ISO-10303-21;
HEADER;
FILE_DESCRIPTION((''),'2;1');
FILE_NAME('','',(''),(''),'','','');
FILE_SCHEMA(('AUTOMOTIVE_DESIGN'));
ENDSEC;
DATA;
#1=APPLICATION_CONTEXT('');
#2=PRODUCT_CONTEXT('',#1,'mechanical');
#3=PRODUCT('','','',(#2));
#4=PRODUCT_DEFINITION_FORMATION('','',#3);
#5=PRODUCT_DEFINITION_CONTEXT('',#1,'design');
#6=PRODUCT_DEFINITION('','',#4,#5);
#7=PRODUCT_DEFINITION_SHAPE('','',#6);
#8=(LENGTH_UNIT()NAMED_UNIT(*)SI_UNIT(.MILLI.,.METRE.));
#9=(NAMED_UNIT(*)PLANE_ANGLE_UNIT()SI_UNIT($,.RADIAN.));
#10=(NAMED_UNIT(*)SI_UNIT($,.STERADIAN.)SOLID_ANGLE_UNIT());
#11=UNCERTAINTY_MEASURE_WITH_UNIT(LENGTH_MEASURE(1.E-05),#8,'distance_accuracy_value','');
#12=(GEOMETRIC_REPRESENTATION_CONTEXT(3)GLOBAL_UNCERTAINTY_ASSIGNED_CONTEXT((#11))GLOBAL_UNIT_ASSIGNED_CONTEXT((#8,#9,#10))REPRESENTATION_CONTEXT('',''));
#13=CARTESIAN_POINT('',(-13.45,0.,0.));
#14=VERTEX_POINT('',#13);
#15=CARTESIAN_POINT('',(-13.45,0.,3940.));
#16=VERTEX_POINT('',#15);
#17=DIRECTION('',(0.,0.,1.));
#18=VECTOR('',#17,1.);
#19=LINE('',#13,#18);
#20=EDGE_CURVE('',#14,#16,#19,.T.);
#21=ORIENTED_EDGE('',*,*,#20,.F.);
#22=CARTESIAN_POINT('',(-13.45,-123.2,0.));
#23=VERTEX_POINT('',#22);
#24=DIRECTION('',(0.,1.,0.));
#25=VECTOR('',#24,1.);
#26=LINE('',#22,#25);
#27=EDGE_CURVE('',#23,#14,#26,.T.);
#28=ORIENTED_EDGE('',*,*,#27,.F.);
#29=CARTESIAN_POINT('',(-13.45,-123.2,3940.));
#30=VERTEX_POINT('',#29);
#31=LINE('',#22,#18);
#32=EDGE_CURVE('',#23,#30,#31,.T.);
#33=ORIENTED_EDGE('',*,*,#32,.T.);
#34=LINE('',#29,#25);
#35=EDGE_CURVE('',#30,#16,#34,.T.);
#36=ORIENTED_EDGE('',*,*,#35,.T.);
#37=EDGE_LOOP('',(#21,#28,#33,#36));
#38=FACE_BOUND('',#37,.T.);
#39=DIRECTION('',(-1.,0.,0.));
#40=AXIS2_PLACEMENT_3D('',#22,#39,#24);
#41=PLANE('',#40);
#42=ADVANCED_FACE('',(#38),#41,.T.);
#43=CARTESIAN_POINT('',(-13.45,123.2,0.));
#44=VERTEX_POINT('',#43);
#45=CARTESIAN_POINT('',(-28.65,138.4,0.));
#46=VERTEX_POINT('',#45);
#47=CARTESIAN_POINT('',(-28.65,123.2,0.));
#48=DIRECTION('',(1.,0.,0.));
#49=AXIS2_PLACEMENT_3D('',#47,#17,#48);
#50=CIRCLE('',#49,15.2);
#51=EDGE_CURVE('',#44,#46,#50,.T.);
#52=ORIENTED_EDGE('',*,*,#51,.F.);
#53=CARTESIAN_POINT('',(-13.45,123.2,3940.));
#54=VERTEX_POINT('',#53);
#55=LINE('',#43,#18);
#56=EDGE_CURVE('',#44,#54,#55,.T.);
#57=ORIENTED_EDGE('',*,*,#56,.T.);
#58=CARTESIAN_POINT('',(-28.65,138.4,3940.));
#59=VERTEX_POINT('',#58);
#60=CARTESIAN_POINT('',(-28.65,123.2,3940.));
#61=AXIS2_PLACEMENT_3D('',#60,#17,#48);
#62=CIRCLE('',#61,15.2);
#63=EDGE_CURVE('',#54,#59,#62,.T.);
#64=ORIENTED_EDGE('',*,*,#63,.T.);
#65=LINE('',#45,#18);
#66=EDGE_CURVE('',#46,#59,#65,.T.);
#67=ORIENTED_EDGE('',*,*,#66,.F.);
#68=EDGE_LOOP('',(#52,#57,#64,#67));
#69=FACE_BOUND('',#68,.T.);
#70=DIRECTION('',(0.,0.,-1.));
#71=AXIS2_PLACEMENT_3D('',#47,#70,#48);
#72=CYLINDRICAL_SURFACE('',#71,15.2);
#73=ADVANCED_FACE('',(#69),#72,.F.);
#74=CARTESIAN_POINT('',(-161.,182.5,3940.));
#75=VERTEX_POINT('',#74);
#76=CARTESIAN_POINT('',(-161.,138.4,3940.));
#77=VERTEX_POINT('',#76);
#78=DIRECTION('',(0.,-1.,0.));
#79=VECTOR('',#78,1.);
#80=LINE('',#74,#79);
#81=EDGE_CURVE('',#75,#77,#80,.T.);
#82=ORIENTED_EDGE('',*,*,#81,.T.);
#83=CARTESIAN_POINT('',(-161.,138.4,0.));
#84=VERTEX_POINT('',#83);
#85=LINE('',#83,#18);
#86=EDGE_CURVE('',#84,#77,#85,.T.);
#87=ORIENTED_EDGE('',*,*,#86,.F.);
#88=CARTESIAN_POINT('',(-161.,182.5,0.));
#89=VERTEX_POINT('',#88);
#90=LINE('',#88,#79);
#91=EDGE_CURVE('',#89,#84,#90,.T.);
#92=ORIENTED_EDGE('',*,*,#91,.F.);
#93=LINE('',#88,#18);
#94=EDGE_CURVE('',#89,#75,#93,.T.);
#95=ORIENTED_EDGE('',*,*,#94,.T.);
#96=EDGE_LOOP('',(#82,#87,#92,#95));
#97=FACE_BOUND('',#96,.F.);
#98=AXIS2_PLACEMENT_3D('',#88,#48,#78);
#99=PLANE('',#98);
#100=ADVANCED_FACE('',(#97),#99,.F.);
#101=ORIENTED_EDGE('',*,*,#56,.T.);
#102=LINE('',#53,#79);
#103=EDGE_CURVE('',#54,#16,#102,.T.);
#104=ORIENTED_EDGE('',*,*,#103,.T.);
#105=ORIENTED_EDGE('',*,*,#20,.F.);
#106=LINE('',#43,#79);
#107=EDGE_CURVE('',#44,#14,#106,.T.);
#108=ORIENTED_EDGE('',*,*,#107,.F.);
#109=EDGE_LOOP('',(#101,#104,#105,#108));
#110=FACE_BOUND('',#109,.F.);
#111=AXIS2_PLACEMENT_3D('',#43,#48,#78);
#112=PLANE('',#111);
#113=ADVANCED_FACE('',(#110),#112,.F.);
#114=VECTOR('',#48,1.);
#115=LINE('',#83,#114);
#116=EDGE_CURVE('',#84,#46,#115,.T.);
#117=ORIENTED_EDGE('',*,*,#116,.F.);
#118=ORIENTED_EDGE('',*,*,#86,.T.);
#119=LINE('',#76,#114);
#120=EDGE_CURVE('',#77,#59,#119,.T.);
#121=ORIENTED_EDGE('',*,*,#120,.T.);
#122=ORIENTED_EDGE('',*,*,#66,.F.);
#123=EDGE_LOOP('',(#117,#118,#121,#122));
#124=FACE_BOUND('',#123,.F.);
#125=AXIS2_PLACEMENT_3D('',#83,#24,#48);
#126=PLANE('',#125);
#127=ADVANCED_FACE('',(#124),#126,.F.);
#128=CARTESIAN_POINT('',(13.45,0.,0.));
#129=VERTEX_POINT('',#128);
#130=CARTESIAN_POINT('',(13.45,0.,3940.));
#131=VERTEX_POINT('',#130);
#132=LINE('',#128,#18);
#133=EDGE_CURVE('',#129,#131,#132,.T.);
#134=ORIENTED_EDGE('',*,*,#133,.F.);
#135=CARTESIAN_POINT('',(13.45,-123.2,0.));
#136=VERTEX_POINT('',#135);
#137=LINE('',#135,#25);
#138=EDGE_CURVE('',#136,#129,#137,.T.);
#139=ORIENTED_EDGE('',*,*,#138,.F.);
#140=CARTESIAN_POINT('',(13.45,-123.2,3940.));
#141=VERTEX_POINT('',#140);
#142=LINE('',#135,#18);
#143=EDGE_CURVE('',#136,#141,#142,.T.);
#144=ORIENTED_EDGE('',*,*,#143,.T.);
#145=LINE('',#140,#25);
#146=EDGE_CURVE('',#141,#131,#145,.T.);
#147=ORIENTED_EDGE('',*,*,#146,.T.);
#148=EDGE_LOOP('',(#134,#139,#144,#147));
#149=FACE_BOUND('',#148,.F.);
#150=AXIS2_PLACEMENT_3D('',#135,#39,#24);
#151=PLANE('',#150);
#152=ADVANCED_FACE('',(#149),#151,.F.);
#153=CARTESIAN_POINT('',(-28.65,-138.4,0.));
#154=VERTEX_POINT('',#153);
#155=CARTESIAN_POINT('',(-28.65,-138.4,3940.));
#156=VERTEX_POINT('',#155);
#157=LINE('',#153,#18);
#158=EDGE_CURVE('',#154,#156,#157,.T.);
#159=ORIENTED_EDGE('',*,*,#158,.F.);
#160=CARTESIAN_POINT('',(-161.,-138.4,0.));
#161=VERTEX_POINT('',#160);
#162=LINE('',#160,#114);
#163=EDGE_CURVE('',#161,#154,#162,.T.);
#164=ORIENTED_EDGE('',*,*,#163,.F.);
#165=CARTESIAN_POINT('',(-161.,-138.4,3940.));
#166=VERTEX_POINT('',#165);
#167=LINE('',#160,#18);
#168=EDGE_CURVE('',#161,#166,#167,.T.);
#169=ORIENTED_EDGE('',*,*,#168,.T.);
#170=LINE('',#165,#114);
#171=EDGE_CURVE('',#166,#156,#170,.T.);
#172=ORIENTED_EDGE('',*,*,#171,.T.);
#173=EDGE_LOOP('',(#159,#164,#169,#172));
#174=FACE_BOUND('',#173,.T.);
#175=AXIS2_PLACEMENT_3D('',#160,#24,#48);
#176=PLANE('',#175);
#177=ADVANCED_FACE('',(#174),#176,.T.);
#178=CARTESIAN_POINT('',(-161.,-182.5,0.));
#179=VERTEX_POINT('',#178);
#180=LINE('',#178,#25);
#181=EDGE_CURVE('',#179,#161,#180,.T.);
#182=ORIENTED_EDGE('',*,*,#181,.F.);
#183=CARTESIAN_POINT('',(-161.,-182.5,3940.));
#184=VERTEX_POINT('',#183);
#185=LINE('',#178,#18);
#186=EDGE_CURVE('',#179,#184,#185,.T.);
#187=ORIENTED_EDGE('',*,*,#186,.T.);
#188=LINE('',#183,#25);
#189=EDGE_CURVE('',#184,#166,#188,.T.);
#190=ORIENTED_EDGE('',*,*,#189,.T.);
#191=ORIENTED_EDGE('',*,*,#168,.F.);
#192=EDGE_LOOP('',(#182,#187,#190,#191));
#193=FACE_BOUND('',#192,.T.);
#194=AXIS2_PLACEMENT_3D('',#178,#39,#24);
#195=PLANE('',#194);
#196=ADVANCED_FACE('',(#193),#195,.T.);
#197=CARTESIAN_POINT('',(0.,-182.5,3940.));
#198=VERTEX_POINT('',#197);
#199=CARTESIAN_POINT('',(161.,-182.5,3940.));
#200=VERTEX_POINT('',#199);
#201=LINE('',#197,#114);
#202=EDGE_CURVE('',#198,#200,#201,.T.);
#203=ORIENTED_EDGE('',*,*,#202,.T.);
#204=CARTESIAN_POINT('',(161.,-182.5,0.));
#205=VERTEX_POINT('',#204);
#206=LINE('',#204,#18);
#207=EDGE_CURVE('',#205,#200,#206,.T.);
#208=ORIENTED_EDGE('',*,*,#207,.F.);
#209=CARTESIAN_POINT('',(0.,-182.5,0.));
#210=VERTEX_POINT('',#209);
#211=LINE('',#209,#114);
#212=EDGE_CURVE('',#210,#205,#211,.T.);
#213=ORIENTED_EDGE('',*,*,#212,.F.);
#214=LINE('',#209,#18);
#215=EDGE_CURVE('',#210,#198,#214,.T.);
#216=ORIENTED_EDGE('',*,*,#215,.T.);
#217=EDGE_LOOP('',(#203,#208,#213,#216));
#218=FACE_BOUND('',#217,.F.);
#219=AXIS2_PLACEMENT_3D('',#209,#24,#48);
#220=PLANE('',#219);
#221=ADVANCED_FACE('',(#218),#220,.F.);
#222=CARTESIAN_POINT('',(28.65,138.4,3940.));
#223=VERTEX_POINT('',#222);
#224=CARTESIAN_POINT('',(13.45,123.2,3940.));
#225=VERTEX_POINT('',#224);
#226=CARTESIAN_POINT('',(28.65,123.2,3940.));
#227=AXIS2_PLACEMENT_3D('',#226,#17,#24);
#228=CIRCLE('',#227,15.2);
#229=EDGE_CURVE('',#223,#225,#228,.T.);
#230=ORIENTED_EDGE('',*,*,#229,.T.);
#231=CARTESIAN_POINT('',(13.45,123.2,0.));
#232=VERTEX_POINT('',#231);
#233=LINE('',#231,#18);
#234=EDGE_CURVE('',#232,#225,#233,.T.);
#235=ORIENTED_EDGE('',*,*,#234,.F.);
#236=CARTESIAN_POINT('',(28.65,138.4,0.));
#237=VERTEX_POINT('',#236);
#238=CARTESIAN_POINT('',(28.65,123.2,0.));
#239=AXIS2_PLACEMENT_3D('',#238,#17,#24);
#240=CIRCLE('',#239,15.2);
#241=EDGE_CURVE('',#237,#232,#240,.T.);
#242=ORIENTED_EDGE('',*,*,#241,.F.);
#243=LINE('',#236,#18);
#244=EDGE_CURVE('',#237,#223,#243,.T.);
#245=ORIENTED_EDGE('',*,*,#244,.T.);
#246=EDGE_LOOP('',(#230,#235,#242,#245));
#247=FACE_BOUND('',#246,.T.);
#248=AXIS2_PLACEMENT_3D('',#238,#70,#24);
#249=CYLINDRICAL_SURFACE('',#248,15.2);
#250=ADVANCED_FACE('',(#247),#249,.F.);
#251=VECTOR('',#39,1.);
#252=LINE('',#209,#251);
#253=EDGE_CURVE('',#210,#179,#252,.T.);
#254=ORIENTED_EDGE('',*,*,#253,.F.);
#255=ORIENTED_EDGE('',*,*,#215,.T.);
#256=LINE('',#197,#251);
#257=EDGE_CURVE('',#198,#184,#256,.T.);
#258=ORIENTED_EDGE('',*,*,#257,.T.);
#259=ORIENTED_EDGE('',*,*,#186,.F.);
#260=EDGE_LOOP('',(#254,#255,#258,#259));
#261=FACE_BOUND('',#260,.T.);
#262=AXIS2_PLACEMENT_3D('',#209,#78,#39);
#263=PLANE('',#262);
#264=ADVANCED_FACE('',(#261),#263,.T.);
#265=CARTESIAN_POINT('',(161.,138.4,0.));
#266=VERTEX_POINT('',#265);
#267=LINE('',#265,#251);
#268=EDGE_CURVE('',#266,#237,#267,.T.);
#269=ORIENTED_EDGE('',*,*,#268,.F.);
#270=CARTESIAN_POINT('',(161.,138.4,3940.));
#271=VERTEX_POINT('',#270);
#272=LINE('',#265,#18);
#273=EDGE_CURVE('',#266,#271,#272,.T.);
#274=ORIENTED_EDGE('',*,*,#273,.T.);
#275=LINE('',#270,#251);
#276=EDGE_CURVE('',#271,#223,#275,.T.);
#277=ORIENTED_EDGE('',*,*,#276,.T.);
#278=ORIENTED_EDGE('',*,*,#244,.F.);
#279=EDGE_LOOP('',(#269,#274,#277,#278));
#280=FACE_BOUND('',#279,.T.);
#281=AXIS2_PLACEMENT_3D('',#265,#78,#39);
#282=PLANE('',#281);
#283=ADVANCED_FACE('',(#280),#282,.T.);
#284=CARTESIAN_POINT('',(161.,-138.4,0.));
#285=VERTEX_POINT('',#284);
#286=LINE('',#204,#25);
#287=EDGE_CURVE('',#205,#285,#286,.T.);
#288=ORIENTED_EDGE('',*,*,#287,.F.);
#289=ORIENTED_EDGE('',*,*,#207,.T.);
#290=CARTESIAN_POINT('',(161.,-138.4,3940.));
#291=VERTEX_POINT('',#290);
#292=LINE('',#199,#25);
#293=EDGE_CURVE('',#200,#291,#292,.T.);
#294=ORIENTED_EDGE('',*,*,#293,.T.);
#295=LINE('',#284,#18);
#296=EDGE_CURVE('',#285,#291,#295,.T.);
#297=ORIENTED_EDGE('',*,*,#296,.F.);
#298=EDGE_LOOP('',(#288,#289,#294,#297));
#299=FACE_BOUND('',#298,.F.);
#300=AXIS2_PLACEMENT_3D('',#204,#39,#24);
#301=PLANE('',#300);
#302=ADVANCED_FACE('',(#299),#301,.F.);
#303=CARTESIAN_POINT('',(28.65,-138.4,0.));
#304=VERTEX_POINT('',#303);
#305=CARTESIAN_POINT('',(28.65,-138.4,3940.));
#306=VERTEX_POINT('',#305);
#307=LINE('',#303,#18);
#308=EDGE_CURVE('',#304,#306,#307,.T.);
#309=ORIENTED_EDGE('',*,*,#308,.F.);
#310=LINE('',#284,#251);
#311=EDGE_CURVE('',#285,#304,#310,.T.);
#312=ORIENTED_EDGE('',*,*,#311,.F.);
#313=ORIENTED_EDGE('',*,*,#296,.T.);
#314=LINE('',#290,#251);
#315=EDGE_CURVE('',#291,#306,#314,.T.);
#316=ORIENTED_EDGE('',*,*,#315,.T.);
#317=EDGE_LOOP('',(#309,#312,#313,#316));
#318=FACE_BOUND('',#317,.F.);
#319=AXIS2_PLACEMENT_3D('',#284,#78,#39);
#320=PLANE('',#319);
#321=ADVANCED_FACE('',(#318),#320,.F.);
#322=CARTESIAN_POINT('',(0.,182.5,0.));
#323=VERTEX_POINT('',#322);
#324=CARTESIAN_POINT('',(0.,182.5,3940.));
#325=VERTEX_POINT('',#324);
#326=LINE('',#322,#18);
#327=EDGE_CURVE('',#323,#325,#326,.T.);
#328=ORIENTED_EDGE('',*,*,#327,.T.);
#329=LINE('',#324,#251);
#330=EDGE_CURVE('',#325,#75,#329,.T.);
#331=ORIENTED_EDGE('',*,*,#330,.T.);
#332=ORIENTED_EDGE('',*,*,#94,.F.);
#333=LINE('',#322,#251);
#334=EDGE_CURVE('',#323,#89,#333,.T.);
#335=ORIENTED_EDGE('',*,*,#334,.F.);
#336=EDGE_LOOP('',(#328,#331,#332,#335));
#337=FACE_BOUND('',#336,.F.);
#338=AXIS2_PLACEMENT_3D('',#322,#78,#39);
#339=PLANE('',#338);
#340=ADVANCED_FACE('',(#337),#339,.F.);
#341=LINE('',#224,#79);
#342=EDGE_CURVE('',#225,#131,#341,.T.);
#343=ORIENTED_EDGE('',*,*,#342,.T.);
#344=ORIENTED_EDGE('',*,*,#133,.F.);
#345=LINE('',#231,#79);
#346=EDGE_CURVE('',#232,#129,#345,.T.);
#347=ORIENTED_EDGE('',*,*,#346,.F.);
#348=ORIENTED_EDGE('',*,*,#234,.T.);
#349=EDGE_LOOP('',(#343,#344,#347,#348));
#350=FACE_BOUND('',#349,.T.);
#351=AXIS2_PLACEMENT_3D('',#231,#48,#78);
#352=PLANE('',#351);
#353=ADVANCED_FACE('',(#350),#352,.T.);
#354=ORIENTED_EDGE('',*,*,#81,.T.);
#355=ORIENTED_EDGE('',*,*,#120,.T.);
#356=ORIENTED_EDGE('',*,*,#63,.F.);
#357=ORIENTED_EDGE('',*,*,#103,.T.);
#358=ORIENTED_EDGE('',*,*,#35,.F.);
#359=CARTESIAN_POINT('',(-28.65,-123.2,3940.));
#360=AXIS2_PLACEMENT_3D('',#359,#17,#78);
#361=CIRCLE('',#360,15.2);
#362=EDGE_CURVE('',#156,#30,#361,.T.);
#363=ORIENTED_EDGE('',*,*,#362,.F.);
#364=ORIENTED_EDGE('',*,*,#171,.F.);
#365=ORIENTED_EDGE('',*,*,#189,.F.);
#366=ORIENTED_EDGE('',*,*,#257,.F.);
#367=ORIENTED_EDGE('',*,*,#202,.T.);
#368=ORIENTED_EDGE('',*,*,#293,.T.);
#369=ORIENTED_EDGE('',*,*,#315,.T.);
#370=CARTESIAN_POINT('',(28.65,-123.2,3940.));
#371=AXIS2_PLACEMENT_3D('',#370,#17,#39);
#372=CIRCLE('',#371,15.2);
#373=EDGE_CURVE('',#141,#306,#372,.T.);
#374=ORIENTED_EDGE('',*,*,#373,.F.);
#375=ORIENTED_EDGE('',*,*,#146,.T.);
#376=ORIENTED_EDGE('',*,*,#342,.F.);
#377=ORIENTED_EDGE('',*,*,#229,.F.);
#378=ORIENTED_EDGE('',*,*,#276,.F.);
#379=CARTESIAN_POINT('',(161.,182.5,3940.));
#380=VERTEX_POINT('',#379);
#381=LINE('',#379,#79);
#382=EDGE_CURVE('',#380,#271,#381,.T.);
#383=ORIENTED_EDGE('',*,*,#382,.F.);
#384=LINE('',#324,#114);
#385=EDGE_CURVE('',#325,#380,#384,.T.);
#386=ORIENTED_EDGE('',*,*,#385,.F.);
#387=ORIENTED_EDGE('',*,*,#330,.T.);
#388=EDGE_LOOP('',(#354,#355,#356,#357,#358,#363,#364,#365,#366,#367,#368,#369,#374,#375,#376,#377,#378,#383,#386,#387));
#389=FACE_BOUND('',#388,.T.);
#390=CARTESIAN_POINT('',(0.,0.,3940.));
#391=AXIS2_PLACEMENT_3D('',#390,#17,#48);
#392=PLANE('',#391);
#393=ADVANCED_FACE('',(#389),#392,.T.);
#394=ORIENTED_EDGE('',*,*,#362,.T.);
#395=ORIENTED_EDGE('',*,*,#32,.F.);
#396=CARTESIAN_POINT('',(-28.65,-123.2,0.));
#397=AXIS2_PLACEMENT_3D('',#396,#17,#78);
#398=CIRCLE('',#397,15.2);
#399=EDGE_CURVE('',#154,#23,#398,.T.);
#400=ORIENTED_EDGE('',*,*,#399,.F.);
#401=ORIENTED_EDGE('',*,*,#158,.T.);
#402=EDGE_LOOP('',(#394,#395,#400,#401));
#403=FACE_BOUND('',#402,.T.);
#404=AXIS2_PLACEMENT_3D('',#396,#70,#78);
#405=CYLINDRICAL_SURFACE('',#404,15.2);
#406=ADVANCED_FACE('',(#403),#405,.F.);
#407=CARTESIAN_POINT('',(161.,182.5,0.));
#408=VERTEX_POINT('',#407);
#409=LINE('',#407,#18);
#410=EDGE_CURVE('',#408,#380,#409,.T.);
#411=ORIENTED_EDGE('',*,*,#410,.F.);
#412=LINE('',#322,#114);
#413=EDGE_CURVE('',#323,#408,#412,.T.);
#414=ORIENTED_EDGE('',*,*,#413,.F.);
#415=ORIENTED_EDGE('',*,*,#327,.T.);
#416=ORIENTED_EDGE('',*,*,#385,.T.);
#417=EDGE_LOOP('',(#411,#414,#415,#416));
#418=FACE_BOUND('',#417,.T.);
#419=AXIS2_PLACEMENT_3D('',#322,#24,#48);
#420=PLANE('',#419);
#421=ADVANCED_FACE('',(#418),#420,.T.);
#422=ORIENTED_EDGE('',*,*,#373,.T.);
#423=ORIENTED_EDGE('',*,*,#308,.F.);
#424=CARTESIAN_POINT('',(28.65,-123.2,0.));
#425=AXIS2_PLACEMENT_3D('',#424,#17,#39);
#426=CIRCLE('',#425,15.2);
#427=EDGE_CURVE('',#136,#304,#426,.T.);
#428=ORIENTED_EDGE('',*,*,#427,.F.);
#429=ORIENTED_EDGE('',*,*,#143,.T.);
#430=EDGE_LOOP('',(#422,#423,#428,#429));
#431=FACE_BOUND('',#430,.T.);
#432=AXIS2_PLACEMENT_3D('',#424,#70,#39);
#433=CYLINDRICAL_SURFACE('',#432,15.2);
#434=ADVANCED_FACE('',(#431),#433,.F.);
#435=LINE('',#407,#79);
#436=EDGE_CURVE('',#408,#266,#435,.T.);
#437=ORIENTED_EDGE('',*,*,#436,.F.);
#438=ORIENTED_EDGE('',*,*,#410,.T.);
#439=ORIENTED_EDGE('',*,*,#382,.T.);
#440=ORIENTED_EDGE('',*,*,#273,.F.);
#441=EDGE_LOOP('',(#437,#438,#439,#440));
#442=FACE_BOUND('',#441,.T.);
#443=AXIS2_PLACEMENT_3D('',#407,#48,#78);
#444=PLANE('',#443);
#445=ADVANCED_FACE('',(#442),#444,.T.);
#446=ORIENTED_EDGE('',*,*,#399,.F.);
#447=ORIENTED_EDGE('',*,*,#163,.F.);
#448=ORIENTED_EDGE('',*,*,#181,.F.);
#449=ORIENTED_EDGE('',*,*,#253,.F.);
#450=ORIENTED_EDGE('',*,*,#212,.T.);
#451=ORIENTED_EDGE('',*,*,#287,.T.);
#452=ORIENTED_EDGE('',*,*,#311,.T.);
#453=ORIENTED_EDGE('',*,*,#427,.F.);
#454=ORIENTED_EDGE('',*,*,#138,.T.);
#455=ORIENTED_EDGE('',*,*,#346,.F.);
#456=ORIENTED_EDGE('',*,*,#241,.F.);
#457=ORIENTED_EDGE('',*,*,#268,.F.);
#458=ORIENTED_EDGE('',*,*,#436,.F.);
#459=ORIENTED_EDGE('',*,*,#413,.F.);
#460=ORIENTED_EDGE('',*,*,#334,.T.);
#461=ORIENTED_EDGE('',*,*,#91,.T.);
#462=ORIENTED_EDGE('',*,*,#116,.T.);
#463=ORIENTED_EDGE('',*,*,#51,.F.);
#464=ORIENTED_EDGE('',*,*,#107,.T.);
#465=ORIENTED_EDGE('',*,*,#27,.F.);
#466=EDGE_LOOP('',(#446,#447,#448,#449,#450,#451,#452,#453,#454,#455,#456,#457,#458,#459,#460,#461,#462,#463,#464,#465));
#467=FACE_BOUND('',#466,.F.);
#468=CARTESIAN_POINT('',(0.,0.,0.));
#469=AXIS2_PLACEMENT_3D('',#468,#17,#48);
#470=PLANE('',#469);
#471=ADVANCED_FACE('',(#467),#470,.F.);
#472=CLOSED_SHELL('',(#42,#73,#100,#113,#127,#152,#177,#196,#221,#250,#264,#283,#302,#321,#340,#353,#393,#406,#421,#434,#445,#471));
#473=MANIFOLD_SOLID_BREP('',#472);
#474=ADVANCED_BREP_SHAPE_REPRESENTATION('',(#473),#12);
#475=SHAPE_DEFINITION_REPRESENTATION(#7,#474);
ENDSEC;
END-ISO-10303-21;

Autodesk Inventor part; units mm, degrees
ref_plane "YZ Plane" through (0, 0, 0) normal (1, 0, 0) x (0, 1, 0)
ref_plane "Start plane" through (0, 0, 0) normal (0, 0, 1) x (1, 0, 0)
ref_plane "End plane" through (0, 0, 3940) normal (0, 0, 1) x (1, 0, 0)
sketch "Sketch" plane through (0, 0, 0) normal (0, 0, 1) x (1, 0, 0)
  line L0 (-161, -182.5) -> (-161, -138.4)
  line L1 (-161, -138.4) -> (-28.65, -138.4)
  line L2 (-13.45, -123.2) -> (-13.45, 0)
  line L3 (-13.45, 0) -> (0, 0) construction
  line L4 (0, 0) -> (0, -182.5) construction
  line L5 (0, -182.5) -> (-161, -182.5)
  line L6 (-60, 0) -> (80, 0) construction
  line L7 (0, -60) -> (0, 80) construction
  line L8 (161, -182.5) -> (161, -138.4)
  line L9 (161, -138.4) -> (28.65, -138.4)
  line L10 (13.45, -123.2) -> (13.45, 0)
  line L11 (13.45, 0) -> (0, 0) construction
  line L12 (0, -182.5) -> (161, -182.5)
  line L13 (-161, 182.5) -> (-161, 138.4)
  line L14 (-161, 138.4) -> (-28.65, 138.4)
  line L15 (-13.45, 123.2) -> (-13.45, 0)
  line L16 (0, 182.5) -> (-161, 182.5)
  line L17 (161, 182.5) -> (161, 138.4)
  line L18 (161, 138.4) -> (28.65, 138.4)
  line L19 (0, 182.5) -> (161, 182.5)
  line L20 (13.45, 123.2) -> (13.45, 0)
  arc A0 (-13.45, 123.2) -> (-28.65, 138.4) centre (-28.65, 123.2) ccw
  arc A1 (28.65, 138.4) -> (13.45, 123.2) centre (28.65, 123.2) ccw
  arc A2 (13.45, -123.2) -> (28.65, -138.4) centre (28.65, -123.2) ccw
  arc A3 (-28.65, -138.4) -> (-13.45, -123.2) centre (-28.65, -123.2) ccw
  line L21 (0, 108) -> (0, -88) construction
  line L22 (-88, 0) -> (108, 0) construction
  point P0 (-13.45, -138.4)
  point P1 (13.45, -138.4)
  point P2 (-13.45, 138.4)
  point P3 (13.45, 138.4)
  dimension "d1" = 182.5
  dimension "d2" = 44.1
  dimension "d3" = 161
  dimension "d4" = 13.45
  dimension "d10" = 15.2
extrude "Body" add sketch "Sketch" along normal up to surface (3940 mm away) from surface at 0
sketch "Sketch4" plane through (0, 0, 0) normal (0, 0, 1) x (1, 0, 0)
  line L0 (0, 0) -> (10, 0)
ref_plane "Work Plane3" through (0, 0, 0) normal (0, -1, 0) x (1, 0, 0)
sketch "Sketch5" plane through (0, 0, 0) normal (0, -1, 0) x (1, 0, 0)
  line L0 (-2, 0) -> (12, 0) projected
  line L1 (-2, 3940) -> (12, 3940) projected
  dimension "d14" = 3940
equation "\"d1\" = 0.5 * G_H"
equation "\"d2\" = G_T1"
equation "\"d3\" = 0.5 * G_W"
equation "\"d4\" = 0.5 * G_T"
equation "\"d10\" = G_IR"
equation "\"d5\" = G_L"
equation "\"G_W\" = 322"
equation "\"G_H\" = 365"
equation "\"G_T\" = 26.9"
equation "\"G_T1\" = 44.1"
equation "\"G_IR\" = 15.2"
equation "\"G_L\" = d14"
equation "\"G_OFFSET_START\" = 0"
equation "\"G_OFFSET_END\" = 0"
properties part number "AS 3679 - 310 UC - 283 - 3940" material "Steel, Mild"
